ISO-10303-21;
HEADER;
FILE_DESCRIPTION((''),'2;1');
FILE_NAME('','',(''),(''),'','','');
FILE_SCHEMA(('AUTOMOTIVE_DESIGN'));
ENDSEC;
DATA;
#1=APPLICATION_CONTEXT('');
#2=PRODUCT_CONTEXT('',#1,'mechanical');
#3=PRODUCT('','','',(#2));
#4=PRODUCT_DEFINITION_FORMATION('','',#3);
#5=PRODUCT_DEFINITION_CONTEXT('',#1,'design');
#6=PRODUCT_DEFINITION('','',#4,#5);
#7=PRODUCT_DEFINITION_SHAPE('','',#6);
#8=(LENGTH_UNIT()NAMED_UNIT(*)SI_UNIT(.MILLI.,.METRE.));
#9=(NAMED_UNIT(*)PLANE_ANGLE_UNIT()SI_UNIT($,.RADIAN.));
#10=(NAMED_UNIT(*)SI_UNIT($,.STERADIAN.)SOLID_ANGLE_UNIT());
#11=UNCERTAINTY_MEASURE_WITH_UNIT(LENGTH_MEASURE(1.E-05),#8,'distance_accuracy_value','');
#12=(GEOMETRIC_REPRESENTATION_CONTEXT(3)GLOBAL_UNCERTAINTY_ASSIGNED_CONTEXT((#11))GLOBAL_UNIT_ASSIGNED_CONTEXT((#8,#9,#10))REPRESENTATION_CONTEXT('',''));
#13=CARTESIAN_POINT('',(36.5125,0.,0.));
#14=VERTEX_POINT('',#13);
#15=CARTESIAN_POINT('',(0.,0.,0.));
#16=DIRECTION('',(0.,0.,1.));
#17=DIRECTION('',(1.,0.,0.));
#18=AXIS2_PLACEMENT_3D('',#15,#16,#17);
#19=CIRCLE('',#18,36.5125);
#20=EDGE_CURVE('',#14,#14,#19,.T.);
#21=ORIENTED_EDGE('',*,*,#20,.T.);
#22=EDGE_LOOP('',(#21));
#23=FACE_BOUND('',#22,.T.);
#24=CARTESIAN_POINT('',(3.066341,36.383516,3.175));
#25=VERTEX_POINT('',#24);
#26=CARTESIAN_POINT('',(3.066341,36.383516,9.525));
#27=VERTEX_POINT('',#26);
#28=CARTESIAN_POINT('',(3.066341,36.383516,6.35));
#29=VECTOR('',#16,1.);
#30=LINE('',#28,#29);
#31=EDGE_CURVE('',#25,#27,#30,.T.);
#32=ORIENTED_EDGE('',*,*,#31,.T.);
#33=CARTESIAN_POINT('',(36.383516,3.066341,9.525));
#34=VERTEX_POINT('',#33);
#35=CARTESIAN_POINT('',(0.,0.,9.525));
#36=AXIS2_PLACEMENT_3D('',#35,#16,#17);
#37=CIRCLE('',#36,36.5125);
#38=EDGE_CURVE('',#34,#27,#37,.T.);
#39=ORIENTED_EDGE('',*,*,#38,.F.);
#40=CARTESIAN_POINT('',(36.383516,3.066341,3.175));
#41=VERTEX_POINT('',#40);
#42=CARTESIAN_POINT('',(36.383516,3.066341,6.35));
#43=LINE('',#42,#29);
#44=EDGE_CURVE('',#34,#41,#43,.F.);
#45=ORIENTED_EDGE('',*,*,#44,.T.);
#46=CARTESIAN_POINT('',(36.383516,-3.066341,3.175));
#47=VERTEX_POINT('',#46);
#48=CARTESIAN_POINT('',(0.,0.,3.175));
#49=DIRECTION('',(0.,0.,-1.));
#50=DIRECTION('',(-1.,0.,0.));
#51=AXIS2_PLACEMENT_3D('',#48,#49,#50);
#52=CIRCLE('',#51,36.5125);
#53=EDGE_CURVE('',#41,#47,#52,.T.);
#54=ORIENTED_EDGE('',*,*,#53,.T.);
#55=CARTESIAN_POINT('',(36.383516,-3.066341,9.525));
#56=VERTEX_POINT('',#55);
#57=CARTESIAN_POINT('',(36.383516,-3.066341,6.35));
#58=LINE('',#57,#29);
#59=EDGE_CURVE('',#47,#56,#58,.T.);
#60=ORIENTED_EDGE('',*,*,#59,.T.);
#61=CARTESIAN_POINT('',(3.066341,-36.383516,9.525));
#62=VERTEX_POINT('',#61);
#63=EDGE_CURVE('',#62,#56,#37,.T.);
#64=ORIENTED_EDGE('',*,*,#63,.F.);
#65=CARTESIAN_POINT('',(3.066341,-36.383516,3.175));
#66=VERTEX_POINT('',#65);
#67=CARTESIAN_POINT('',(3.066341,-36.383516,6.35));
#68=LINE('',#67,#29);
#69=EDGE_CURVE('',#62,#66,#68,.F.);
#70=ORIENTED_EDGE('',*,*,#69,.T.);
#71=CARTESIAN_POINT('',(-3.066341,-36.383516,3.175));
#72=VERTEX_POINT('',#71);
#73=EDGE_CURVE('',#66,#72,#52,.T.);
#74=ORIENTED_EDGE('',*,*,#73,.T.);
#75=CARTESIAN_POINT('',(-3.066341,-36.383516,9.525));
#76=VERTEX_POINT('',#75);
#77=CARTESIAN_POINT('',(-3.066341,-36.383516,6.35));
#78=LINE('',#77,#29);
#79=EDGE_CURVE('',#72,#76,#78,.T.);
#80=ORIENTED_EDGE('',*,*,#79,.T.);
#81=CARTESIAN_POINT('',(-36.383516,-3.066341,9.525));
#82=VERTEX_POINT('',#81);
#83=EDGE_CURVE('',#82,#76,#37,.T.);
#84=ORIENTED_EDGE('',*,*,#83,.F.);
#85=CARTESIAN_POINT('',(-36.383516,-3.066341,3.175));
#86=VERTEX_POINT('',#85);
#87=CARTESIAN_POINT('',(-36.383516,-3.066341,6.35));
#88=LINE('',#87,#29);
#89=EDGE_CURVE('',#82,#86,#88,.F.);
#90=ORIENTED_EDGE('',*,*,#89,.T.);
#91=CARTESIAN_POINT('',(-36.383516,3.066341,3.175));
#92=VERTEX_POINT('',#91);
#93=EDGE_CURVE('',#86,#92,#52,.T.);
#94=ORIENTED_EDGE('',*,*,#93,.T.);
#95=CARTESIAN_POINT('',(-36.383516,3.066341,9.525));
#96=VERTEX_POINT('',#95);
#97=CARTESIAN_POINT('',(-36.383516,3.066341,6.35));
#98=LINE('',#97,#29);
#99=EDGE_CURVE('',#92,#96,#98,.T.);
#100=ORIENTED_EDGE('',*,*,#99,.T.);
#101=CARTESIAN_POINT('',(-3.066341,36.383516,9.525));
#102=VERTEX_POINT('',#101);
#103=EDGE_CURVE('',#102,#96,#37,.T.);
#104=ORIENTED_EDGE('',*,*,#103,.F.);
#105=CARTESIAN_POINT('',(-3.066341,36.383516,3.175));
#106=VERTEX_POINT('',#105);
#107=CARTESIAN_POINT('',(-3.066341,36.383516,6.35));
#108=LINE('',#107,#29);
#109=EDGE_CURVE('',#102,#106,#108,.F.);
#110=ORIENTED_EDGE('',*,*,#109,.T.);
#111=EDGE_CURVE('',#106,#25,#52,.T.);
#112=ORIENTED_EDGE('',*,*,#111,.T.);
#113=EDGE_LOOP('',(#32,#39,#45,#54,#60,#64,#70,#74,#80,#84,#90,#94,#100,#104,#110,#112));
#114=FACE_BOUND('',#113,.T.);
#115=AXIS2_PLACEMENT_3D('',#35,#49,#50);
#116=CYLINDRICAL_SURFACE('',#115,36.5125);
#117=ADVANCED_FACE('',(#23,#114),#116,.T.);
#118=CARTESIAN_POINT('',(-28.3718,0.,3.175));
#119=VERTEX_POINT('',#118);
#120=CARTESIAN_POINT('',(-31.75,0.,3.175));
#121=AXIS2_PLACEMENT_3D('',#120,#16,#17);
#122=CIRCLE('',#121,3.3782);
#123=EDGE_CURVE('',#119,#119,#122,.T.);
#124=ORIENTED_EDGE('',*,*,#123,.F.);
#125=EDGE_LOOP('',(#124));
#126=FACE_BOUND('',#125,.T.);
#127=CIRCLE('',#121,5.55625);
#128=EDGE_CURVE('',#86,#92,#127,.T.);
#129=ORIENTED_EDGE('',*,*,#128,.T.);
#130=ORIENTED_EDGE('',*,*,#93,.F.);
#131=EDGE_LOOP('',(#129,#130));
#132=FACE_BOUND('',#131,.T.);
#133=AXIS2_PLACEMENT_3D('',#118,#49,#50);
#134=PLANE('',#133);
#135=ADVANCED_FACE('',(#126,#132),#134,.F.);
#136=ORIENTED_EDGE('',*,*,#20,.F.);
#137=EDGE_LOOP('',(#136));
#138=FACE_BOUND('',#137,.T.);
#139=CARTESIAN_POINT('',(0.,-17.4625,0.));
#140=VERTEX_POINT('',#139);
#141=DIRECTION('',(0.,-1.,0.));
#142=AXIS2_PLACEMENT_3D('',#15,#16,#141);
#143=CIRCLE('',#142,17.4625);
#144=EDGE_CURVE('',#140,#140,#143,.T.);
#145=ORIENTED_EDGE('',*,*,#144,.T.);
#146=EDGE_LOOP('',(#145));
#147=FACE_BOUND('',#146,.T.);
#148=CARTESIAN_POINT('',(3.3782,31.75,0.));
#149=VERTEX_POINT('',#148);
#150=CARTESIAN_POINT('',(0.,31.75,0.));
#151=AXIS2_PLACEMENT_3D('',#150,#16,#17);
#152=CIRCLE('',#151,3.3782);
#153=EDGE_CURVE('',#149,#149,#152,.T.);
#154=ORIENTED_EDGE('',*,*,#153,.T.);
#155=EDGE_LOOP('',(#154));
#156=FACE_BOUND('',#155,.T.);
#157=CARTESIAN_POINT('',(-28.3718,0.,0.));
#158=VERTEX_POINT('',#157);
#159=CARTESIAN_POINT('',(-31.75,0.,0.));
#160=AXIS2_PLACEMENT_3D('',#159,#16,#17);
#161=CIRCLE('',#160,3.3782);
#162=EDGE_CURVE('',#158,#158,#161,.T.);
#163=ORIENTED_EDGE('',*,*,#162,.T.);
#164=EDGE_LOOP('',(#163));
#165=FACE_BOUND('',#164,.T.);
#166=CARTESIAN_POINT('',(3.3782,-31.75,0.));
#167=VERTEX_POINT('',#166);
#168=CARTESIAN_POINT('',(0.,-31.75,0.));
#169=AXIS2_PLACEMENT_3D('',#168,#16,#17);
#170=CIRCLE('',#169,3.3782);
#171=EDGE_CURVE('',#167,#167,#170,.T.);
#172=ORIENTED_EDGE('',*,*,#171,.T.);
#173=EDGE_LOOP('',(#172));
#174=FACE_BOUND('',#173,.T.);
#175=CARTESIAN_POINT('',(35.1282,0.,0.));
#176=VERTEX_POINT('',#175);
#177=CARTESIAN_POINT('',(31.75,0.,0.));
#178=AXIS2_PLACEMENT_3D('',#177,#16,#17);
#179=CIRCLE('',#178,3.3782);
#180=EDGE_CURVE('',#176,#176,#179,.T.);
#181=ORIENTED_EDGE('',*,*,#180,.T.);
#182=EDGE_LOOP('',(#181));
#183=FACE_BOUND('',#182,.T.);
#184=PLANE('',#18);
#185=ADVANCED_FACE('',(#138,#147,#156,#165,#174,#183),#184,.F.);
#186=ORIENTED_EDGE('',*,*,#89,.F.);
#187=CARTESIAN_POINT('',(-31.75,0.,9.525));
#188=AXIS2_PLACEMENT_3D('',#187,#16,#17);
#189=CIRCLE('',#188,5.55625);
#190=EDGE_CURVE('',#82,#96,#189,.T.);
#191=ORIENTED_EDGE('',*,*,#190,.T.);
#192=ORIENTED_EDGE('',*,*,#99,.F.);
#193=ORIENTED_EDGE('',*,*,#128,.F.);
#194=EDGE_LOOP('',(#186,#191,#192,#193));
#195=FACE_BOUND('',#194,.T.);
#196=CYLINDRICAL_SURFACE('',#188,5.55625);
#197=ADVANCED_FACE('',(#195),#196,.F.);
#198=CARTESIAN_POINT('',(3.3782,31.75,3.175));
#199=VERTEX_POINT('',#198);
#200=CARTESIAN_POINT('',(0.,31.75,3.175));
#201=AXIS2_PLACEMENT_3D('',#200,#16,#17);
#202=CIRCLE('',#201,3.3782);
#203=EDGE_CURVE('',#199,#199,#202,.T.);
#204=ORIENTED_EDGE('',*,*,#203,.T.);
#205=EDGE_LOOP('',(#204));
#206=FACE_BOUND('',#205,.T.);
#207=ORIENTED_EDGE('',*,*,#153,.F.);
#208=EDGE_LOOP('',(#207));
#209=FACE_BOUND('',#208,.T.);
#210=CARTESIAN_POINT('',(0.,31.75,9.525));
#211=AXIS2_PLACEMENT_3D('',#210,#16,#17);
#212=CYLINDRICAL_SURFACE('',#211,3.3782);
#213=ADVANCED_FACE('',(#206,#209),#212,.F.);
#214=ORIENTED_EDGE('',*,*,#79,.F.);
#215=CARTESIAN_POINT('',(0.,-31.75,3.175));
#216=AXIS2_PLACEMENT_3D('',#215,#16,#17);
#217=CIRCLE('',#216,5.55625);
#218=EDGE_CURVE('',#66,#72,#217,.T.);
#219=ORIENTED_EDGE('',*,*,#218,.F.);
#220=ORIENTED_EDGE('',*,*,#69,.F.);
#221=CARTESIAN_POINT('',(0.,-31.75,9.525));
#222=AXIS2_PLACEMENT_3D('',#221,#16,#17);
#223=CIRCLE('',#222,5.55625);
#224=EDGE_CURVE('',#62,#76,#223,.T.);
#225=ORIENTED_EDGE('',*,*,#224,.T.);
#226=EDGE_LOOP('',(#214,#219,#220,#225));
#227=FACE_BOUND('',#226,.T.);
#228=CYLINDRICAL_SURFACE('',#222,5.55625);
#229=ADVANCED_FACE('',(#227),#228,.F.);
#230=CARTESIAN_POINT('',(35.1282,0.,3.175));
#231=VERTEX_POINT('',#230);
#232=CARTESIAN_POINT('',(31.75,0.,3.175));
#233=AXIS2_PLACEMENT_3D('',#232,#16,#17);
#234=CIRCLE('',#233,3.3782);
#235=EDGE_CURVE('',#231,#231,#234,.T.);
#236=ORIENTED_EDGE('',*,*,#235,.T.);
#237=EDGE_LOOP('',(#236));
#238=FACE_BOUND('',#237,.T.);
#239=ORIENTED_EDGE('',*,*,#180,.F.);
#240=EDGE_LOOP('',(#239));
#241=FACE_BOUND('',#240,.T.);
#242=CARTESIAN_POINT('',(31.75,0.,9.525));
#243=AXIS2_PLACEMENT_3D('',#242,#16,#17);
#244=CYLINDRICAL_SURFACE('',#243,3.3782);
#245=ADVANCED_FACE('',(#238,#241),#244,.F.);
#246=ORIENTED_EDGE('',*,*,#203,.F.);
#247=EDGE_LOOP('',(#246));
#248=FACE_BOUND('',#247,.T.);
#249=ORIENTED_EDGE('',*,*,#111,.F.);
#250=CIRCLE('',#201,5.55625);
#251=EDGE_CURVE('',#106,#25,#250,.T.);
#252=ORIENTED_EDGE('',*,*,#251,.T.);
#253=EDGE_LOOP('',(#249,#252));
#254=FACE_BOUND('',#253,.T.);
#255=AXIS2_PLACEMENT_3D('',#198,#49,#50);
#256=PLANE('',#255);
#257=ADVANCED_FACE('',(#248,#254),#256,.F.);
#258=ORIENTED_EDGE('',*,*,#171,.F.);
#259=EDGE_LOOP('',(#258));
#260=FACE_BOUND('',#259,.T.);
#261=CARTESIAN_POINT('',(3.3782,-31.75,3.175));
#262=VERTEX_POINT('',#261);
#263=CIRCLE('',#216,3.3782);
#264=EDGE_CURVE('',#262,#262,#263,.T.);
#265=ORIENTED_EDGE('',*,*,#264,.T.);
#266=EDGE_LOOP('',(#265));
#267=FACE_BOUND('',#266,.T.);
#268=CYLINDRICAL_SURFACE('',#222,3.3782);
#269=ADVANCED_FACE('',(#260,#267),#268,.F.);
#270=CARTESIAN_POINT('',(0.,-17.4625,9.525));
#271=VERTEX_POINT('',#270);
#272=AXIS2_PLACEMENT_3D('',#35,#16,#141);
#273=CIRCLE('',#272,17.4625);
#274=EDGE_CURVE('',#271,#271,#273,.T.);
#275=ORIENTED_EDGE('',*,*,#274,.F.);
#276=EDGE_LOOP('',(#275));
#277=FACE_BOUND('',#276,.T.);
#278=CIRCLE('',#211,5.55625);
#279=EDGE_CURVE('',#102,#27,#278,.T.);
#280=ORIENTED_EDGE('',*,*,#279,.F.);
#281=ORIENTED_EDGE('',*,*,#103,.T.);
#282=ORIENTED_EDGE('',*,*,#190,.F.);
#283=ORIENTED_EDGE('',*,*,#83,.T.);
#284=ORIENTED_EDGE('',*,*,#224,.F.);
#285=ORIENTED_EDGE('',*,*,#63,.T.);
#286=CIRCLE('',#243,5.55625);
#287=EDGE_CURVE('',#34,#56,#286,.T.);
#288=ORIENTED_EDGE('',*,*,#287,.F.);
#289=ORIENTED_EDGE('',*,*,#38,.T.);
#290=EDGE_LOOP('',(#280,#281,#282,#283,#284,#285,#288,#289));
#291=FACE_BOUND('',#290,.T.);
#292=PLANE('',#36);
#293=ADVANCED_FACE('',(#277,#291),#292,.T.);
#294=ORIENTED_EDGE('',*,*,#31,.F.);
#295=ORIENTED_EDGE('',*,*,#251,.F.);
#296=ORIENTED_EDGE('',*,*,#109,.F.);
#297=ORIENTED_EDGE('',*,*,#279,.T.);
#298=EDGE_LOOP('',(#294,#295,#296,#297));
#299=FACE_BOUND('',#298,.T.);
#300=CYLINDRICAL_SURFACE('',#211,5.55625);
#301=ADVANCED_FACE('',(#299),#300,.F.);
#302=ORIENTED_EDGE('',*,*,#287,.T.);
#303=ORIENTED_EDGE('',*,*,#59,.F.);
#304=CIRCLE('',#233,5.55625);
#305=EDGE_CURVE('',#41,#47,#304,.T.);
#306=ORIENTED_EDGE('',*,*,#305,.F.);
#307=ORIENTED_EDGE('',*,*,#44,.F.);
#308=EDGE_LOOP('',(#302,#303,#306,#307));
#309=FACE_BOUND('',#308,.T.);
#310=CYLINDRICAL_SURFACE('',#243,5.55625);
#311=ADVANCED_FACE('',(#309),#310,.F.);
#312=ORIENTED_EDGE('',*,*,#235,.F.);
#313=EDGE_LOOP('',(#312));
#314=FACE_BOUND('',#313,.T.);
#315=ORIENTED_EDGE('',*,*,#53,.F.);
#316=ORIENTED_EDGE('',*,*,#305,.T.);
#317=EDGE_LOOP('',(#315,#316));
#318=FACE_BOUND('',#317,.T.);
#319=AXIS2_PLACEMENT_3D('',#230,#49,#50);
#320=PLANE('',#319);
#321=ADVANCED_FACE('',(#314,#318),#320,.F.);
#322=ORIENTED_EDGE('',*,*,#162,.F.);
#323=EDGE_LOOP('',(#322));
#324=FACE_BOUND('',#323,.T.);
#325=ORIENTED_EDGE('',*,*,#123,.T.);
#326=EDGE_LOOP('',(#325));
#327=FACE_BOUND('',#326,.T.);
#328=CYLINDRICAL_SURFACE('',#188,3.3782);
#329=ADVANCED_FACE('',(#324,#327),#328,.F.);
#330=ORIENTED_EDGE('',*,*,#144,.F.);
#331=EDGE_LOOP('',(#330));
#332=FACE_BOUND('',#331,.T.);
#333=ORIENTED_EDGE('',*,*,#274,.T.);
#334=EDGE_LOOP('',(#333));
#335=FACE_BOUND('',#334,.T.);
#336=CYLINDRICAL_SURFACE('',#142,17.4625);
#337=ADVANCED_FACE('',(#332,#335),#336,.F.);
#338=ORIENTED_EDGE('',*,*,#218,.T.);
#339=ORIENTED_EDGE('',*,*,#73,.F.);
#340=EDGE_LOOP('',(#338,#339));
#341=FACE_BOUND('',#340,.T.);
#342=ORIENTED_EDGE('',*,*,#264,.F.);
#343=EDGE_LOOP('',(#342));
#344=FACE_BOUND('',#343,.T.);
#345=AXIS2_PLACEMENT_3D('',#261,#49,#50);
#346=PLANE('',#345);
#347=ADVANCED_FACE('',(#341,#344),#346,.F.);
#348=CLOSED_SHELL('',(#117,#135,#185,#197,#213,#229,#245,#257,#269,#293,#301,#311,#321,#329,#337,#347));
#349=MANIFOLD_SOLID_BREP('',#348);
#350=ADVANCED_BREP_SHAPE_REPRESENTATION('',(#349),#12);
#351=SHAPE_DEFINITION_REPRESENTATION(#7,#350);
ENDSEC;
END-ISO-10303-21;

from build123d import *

# Parameters (mm, degrees)
SKETCH1_R                                        = 36.5125
EXTRUDE1_DEPTH                                   = 9.525
SKETCH2_R                                        = 17.4625
SHAFT_THRU_HOLE_DEPTH                            = 53.507627422
CBORE_FOR_1_4_SOCKET_HEAD_CAP_SCREW1_D           = 6.7564
CBORE_FOR_1_4_SOCKET_HEAD_CAP_SCREW1_CBORE_D     = 11.1125
CBORE_FOR_1_4_SOCKET_HEAD_CAP_SCREW1_CBORE_DEPTH = 6.35


with BuildPart() as part:
    # Sketch1 → Extrude1 (new body)
    with BuildSketch(Plane.XY):
        with Locations(Location((0, 0, 0), (0, 0, 180))):
            Circle(SKETCH1_R)
    extrude(amount=EXTRUDE1_DEPTH)

    # Sketch2 → Shaft thru hole (cut, through all)
    with BuildSketch(Plane(origin=(0, 0, 9.525), x_dir=(-1, 0, 0), z_dir=(0, 0, 1))):
        with Locations(Location((0, 0, 0), (0, 0, 90))):
            Circle(SKETCH2_R)
    extrude(amount=-SHAFT_THRU_HOLE_DEPTH, mode=Mode.SUBTRACT)

    # CBORE for 1/4 Socket Head Cap Screw1 (through all)
    with Locations(Plane.XY.offset(9.525)):
        with Locations((0, 31.75), (-31.75, 0), (31.75, 0), (0, -31.75)):
            CounterBoreHole(CBORE_FOR_1_4_SOCKET_HEAD_CAP_SCREW1_D / 2, CBORE_FOR_1_4_SOCKET_HEAD_CAP_SCREW1_CBORE_D / 2, CBORE_FOR_1_4_SOCKET_HEAD_CAP_SCREW1_CBORE_DEPTH)


solid = part.part
